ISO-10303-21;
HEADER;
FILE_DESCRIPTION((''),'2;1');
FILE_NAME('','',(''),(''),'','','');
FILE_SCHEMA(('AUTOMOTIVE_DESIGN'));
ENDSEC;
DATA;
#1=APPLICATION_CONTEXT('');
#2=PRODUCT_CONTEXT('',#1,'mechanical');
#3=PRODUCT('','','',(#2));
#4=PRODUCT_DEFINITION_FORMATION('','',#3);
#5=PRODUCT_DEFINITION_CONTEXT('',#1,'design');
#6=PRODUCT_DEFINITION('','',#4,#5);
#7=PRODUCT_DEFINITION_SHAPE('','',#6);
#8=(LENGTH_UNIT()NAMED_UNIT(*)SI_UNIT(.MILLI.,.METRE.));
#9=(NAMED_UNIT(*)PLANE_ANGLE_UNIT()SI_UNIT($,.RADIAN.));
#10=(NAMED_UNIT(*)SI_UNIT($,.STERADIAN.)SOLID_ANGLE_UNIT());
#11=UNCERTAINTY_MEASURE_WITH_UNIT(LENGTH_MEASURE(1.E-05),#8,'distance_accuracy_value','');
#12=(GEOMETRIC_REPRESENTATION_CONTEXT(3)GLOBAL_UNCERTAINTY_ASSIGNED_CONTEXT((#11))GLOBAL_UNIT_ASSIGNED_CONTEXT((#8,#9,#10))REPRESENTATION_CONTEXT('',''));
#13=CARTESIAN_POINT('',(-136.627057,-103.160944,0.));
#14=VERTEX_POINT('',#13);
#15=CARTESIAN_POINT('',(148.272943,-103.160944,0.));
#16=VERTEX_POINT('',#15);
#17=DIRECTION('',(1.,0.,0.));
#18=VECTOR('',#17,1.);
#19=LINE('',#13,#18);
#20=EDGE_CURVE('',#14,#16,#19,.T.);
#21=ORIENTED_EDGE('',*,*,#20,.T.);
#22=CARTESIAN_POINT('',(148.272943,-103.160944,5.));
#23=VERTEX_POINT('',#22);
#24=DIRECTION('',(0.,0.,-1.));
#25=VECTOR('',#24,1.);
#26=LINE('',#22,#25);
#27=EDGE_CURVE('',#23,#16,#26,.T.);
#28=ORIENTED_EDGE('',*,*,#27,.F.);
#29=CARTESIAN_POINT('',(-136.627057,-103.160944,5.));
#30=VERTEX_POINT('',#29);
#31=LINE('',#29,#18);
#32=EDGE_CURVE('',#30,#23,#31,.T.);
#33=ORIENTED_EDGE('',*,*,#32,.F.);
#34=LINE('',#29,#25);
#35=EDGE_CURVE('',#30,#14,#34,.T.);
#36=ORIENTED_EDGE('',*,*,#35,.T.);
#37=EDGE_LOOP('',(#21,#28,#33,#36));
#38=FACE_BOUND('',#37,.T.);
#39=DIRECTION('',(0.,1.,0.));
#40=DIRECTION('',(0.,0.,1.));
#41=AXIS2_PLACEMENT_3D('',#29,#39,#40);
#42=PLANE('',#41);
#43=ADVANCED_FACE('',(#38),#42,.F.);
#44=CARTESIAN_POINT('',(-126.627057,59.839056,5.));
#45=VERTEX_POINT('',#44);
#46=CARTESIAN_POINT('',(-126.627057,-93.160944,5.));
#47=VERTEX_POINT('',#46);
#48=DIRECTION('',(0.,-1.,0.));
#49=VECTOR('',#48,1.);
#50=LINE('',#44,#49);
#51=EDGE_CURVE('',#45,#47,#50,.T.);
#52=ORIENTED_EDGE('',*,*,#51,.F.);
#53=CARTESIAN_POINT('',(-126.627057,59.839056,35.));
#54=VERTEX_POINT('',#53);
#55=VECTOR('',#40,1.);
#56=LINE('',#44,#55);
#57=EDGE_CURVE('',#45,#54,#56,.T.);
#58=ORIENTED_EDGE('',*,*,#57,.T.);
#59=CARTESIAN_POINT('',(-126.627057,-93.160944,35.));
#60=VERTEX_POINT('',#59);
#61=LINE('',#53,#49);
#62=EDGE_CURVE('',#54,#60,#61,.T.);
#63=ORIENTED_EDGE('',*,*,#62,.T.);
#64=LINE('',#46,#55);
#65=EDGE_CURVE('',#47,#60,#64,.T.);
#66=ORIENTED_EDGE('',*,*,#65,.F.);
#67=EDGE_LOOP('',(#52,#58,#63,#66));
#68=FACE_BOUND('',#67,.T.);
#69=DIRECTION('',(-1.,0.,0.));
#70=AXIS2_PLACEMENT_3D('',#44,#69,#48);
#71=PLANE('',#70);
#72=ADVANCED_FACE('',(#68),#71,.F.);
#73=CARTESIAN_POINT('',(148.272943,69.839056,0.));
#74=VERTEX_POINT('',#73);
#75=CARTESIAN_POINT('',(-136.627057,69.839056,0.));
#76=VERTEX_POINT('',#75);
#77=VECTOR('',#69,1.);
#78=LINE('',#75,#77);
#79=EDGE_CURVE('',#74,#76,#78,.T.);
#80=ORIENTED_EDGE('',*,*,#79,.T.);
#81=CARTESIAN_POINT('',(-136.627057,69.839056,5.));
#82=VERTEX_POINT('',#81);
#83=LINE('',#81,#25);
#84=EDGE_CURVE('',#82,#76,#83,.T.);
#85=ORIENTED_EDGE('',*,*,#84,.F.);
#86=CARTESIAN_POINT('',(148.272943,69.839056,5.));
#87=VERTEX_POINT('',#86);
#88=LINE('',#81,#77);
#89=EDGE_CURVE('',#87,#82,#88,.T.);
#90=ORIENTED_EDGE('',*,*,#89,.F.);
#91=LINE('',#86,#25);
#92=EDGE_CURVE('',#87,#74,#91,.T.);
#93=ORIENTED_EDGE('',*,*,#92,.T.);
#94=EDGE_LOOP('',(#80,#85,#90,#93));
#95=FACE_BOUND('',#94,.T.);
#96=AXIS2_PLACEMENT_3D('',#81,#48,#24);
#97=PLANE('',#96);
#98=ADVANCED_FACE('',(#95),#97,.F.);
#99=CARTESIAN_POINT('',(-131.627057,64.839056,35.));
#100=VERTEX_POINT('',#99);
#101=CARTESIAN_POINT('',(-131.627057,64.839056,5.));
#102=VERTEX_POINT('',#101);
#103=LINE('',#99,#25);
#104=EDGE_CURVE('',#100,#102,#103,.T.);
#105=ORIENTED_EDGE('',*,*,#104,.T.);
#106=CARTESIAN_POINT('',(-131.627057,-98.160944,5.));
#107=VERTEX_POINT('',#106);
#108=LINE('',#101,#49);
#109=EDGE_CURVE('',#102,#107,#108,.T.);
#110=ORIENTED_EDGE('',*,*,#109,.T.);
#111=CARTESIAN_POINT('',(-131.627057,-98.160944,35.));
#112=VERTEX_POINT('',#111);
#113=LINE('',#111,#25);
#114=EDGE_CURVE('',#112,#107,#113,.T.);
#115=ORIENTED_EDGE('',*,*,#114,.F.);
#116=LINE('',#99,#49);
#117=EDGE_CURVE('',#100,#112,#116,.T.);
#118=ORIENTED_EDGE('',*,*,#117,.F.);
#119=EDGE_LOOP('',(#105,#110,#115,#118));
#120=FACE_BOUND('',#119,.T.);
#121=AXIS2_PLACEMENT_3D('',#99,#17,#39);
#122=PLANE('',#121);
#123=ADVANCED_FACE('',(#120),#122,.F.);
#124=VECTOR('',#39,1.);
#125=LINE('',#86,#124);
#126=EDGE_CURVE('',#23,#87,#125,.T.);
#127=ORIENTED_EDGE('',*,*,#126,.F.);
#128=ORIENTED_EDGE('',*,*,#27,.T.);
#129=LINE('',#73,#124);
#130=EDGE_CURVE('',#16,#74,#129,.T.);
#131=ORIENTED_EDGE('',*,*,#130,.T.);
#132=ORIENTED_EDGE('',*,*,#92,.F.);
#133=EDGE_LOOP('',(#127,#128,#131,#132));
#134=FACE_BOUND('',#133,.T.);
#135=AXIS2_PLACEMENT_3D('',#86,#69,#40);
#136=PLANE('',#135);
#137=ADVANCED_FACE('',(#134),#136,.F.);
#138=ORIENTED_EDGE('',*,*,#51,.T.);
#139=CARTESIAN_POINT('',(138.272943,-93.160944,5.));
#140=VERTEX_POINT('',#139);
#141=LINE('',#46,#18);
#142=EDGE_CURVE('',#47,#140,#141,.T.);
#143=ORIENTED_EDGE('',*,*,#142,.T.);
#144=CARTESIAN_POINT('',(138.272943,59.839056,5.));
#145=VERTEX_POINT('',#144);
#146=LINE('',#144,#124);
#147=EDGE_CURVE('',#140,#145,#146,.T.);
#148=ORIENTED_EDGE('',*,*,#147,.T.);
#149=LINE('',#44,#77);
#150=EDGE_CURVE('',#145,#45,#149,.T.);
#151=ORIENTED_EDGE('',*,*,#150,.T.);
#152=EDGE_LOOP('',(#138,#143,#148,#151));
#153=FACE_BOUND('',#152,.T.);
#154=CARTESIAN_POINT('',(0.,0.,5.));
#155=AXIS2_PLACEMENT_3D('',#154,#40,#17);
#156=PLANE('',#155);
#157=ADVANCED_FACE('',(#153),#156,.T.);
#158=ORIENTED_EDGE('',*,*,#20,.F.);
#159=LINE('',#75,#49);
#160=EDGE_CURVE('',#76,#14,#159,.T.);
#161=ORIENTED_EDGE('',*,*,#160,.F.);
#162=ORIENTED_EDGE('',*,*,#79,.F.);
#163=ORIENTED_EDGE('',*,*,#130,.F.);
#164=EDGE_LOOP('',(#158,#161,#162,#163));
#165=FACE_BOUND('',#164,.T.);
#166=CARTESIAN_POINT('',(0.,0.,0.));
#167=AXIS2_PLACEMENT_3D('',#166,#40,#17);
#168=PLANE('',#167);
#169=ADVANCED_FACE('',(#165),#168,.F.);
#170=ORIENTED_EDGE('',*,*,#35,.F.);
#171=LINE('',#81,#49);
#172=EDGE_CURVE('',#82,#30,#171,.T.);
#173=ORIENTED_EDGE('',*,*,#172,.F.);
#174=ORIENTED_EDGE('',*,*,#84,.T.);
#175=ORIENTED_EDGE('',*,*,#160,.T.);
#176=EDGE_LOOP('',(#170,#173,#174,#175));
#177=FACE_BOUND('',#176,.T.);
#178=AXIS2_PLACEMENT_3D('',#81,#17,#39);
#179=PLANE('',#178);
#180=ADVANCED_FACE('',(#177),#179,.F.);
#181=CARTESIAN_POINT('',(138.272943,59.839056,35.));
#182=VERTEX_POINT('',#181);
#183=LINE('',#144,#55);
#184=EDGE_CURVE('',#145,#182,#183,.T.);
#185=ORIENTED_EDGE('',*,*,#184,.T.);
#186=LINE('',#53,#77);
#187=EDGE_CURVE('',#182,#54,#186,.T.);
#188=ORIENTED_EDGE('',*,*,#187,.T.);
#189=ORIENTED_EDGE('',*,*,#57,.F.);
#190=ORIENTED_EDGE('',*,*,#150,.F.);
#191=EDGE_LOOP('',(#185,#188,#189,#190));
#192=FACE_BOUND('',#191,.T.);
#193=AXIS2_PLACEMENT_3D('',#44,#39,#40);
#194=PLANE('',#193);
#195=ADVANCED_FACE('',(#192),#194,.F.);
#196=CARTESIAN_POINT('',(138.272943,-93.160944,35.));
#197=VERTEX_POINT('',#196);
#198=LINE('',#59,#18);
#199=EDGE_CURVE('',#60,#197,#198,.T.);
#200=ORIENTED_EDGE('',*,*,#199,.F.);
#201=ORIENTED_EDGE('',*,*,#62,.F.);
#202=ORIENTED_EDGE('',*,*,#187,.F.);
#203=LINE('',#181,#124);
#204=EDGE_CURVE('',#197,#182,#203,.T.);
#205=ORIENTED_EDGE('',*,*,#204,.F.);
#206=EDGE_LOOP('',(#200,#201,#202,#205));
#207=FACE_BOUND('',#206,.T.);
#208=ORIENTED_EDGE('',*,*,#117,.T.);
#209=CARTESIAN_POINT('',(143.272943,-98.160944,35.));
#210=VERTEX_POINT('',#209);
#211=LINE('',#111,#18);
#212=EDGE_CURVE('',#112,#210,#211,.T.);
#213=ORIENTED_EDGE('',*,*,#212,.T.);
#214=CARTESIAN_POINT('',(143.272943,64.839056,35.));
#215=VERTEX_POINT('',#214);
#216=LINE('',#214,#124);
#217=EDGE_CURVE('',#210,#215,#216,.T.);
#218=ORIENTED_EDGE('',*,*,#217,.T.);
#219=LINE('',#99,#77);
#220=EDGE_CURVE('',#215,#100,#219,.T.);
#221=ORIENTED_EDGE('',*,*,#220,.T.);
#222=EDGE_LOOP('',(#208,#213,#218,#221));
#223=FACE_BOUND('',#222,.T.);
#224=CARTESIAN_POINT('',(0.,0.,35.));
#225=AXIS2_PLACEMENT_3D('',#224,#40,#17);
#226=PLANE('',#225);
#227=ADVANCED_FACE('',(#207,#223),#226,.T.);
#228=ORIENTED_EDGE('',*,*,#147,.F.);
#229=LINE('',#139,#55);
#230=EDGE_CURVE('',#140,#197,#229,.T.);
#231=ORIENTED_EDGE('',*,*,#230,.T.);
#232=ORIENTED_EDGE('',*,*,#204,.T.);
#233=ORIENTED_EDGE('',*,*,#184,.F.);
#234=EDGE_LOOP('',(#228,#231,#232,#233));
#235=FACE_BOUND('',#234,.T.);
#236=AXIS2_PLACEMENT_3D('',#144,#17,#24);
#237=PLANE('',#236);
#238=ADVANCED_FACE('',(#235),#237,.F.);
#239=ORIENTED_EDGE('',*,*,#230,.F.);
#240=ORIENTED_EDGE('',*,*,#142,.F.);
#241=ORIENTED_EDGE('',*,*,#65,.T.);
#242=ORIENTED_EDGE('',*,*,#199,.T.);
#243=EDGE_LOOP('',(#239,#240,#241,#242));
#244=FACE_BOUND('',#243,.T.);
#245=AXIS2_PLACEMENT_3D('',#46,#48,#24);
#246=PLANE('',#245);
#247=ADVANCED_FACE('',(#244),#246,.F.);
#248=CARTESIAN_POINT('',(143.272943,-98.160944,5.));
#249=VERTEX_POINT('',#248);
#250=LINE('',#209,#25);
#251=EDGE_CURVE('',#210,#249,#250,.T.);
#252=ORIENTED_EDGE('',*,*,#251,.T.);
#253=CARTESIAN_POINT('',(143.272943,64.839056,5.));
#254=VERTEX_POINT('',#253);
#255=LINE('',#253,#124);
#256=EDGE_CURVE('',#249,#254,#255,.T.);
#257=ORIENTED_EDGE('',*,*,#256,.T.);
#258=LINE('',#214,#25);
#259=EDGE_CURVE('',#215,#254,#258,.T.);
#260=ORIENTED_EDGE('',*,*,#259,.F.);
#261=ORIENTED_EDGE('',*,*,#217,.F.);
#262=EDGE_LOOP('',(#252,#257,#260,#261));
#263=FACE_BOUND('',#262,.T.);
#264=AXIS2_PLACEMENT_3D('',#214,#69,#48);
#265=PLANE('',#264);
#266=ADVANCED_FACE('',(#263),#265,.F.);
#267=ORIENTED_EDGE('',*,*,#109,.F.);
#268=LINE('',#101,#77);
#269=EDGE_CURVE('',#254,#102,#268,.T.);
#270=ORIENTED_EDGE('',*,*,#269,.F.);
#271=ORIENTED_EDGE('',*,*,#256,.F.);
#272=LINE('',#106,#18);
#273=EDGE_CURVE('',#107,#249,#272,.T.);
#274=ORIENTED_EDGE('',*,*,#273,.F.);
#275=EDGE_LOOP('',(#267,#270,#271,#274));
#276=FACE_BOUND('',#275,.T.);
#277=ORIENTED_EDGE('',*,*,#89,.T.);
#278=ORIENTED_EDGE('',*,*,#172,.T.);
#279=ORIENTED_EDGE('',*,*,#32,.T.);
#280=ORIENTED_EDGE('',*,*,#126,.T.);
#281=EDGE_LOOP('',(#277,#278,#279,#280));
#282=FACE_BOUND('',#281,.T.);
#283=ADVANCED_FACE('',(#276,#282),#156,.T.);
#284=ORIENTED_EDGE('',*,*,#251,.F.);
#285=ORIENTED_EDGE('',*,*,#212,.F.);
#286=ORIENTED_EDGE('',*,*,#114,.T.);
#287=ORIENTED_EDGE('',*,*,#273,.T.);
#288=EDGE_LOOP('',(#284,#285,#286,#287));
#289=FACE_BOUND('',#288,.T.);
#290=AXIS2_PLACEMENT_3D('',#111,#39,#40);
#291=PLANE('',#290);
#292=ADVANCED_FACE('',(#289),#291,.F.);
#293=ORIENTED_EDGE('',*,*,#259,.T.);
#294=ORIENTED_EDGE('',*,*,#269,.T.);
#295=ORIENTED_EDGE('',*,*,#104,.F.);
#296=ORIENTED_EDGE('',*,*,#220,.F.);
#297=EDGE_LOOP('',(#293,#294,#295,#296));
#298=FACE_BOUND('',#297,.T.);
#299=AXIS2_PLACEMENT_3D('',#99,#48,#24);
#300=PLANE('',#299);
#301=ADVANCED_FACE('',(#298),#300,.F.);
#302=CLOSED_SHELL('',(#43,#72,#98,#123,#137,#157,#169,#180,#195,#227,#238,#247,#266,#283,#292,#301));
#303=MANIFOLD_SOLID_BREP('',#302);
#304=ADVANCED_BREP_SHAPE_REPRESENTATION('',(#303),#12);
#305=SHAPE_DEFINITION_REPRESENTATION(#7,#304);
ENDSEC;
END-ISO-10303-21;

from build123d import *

# Parameters (mm, degrees)
SKETCH2_W           = 284.9
SKETCH2_H           = 173
BOSS_EXTRUDE1_DEPTH = 5
SKETCH3_W           = 274.9
SKETCH3_H           = 163
BOSS_EXTRUDE2_DEPTH = 30
SKETCH4_W           = 264.9
SKETCH4_H           = 153
CUT_EXTRUDE1_DEPTH  = 30


with BuildPart() as part:
    # Sketch2 → Boss-Extrude1 (new body)
    with BuildSketch(Plane.XY):
        with Locations((5.822942798, -16.660944206)):
            Rectangle(SKETCH2_W, SKETCH2_H)
    extrude(amount=BOSS_EXTRUDE1_DEPTH)

    # Sketch3 → Boss-Extrude2 (add)
    with BuildSketch(Plane.XY.offset(5)):
        with Locations((5.822942798, -16.660944206)):
            Rectangle(SKETCH3_W, SKETCH3_H)
    extrude(amount=BOSS_EXTRUDE2_DEPTH)

    # Sketch4 → Cut-Extrude1 (cut)
    with BuildSketch(Plane.XY.offset(35)):
        with Locations((5.822942798, -16.660944206)):
            Rectangle(SKETCH4_W, SKETCH4_H)
    extrude(amount=-CUT_EXTRUDE1_DEPTH, mode=Mode.SUBTRACT)


solid = part.part
